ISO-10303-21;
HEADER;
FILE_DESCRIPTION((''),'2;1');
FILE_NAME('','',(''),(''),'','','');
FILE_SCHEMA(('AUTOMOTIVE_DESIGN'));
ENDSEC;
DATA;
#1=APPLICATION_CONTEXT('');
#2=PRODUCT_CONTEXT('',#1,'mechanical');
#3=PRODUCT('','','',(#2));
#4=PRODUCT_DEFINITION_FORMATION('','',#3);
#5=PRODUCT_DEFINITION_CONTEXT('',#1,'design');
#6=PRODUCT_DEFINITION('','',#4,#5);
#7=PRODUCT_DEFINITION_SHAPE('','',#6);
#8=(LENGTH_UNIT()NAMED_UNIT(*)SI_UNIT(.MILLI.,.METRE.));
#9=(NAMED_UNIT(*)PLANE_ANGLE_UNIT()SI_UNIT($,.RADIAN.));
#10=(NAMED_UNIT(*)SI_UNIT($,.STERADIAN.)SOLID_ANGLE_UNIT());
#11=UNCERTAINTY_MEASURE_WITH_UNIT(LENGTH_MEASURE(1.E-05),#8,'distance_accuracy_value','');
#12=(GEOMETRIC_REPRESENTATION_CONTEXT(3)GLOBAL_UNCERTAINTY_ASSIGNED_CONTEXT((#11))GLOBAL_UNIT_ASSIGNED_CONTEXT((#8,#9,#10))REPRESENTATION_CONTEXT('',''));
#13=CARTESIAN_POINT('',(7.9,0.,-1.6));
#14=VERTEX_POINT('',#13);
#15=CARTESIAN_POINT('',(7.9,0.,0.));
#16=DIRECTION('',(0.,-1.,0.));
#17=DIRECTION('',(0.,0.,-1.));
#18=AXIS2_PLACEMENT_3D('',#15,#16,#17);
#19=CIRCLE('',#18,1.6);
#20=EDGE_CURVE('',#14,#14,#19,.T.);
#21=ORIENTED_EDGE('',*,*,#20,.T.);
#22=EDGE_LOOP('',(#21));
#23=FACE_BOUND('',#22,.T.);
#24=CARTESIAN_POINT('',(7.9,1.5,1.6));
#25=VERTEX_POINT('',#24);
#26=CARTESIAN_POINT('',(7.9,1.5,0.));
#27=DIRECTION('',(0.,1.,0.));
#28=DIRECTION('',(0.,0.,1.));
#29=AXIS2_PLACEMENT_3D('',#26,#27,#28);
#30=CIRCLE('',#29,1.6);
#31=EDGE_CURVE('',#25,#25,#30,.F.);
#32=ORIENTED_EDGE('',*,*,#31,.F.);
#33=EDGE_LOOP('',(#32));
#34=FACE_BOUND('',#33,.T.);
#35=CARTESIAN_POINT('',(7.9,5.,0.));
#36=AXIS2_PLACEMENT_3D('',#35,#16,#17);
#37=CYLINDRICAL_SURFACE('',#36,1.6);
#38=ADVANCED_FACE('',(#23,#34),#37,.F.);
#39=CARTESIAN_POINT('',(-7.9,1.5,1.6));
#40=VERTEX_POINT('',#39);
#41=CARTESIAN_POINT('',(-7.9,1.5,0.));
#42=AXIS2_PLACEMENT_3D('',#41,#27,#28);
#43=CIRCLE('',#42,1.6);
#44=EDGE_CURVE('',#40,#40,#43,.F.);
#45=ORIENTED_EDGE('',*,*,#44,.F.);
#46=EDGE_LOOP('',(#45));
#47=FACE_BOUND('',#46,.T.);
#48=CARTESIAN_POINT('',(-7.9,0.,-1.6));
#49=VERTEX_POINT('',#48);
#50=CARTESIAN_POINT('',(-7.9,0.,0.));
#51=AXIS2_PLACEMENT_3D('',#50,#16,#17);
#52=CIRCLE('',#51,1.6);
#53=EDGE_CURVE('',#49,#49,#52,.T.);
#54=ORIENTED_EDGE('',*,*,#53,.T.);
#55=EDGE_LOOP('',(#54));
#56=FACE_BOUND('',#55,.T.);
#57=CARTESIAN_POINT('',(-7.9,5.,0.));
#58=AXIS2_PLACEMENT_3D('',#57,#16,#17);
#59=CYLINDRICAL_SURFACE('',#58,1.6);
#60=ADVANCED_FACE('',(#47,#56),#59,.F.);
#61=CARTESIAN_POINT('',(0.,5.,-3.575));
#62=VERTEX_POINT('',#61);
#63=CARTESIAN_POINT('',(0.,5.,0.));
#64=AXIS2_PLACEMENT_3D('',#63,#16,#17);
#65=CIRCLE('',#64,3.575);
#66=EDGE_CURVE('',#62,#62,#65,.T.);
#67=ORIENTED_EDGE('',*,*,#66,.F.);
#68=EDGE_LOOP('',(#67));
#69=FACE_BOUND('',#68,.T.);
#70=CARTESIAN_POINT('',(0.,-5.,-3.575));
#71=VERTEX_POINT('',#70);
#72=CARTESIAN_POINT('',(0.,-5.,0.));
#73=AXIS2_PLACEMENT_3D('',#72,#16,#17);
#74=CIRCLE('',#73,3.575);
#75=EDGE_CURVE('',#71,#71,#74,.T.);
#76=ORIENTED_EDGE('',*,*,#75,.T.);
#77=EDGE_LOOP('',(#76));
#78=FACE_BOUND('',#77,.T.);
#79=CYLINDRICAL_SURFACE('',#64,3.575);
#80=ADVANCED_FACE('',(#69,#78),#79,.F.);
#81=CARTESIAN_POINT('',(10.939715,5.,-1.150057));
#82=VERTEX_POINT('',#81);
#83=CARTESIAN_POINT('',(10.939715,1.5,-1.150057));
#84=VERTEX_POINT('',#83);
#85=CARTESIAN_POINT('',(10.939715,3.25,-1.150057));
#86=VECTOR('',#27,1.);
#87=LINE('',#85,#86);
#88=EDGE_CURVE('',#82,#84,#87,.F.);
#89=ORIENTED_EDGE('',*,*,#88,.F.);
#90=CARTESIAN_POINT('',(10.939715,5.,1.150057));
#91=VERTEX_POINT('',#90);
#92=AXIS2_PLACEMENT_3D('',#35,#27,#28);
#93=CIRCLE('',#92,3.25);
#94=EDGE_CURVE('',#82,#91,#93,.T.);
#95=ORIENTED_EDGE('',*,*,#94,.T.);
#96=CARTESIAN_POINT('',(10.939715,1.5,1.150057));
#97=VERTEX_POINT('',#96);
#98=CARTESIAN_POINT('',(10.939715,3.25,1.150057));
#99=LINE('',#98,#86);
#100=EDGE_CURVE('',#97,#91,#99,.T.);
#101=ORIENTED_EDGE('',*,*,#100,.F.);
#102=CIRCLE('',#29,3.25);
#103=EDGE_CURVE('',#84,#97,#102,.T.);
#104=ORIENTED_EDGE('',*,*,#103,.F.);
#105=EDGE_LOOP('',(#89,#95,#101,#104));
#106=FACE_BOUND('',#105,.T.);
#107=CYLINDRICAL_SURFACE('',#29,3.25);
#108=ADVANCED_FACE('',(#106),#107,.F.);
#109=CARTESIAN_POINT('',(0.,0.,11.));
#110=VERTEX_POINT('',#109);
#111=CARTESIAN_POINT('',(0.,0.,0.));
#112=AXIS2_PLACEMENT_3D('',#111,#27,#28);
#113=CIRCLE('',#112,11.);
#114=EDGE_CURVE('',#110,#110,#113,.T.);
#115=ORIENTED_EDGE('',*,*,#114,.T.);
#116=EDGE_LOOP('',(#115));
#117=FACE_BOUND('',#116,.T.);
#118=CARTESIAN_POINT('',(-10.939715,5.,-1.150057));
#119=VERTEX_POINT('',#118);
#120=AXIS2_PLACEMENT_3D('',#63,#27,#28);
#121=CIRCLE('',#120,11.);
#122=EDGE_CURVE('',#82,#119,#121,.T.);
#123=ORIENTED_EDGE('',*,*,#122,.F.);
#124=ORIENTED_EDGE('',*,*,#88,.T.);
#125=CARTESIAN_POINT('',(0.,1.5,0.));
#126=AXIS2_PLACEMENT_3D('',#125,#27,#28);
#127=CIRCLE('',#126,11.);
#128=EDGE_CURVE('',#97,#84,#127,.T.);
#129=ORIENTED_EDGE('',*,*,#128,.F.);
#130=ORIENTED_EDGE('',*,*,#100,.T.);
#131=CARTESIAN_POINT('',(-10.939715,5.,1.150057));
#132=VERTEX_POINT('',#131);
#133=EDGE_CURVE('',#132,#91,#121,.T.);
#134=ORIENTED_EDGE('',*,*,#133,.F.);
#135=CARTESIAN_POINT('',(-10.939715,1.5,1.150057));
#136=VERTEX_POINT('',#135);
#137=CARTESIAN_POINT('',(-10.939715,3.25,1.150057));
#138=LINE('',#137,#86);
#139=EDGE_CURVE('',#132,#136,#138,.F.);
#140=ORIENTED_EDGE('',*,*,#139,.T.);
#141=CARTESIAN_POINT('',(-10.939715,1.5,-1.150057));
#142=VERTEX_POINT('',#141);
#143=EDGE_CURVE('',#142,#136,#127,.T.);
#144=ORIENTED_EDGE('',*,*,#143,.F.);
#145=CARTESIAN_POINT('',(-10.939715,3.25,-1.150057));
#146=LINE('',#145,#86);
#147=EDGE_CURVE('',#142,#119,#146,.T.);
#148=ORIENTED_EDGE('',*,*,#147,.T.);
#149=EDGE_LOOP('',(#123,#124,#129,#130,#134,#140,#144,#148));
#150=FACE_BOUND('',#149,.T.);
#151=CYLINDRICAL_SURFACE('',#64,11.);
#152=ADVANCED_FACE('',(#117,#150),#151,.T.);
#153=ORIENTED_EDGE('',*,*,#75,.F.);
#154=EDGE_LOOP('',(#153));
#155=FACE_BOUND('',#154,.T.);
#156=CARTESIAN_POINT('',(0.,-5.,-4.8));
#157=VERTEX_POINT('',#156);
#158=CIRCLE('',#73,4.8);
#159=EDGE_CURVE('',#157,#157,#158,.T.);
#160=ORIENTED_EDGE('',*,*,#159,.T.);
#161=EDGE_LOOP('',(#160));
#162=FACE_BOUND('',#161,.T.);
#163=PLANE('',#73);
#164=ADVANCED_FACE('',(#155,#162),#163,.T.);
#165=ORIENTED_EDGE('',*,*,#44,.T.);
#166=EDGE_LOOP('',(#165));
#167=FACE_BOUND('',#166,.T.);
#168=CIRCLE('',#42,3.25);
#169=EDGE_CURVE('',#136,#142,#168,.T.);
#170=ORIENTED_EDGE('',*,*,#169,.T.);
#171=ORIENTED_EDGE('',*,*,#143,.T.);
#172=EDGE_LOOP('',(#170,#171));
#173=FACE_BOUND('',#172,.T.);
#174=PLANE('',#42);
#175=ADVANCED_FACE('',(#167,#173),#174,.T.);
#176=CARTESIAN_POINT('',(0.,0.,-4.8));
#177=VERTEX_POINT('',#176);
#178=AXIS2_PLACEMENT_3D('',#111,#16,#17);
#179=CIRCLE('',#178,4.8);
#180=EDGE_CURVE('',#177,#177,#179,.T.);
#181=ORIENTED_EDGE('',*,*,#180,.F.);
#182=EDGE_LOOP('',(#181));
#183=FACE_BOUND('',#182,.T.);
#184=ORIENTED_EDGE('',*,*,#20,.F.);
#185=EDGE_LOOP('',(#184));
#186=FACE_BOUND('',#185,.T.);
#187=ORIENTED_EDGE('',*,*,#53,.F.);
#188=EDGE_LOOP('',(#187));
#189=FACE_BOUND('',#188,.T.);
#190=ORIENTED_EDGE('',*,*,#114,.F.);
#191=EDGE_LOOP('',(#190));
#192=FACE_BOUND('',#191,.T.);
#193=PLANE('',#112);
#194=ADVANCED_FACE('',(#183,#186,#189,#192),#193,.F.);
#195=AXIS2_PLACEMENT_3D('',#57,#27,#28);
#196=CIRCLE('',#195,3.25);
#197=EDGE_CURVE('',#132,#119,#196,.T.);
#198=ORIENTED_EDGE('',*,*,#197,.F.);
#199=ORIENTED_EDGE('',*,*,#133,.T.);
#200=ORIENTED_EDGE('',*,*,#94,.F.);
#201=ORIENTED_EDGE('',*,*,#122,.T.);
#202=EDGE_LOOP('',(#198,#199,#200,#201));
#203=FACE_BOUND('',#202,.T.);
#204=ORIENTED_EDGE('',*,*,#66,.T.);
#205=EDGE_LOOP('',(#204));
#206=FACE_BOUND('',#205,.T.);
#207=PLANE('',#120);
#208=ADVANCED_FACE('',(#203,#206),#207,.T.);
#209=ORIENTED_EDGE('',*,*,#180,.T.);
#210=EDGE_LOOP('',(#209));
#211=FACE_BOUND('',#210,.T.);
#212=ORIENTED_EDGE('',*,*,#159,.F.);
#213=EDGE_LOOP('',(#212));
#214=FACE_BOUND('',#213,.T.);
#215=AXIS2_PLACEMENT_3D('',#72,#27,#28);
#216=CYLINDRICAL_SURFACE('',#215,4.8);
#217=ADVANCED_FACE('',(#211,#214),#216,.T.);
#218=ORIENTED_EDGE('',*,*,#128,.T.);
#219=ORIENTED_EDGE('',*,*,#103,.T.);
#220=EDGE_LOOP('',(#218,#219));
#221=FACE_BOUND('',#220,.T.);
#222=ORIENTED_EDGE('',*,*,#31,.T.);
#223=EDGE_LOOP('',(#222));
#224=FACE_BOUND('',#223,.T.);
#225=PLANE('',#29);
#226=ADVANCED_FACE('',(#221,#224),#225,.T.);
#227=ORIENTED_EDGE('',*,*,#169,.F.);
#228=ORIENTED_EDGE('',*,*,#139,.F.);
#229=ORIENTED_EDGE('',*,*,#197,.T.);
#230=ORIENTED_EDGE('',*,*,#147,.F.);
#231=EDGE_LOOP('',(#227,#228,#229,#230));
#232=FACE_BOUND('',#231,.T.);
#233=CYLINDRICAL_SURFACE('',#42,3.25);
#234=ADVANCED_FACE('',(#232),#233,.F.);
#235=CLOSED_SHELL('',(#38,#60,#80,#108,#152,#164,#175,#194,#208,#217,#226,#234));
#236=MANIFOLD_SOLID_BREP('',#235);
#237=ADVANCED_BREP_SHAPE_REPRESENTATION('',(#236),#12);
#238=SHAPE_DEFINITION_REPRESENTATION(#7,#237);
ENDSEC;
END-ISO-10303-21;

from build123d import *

# Parameters (mm, degrees)
CROQUIS1_R              = 11
SALIENTE_EXTRUIR1_DEPTH = 5
CROQUIS2_R              = 4.8
SALIENTE_EXTRUIR2_DEPTH = 5
CROQUIS3_R              = 1.6
CORTAR_EXTRUIR1_DEPTH   = 6
CROQUIS4_R              = 3.575
CORTAR_EXTRUIR2_DEPTH   = 11
CROQUIS5_R              = 3.25
CORTAR_EXTRUIR3_DEPTH   = 3.5


with BuildPart() as part:
    # Croquis1 → Saliente-Extruir1 (new body)
    with BuildSketch(Plane(origin=(0, 0, 0), x_dir=(1, 0, 0), z_dir=(0, 1, 0))):
        Circle(CROQUIS1_R)
    extrude(amount=SALIENTE_EXTRUIR1_DEPTH)

    # Croquis2 → Saliente-Extruir2 (add)
    with BuildSketch(Plane.XZ):
        Circle(CROQUIS2_R)
    extrude(amount=SALIENTE_EXTRUIR2_DEPTH)

    # Croquis3 → Cortar-Extruir1 (cut, through all)
    with BuildSketch(Plane.XZ):
        with Locations((-7.9, 0)):
            Circle(CROQUIS3_R)
        with Locations((7.9, 0)):
            Circle(CROQUIS3_R)
    extrude(amount=-CORTAR_EXTRUIR1_DEPTH, mode=Mode.SUBTRACT)

    # Croquis4 → Cortar-Extruir2 (cut, through all)
    with BuildSketch(Plane.XZ.offset(5)):
        Circle(CROQUIS4_R)
    extrude(amount=-CORTAR_EXTRUIR2_DEPTH, mode=Mode.SUBTRACT)

    # Croquis5 → Cortar-Extruir3 (cut)
    with BuildSketch(Plane(origin=(0, 5, 0), x_dir=(1, 0, 0), z_dir=(0, 1, 0))):
        with Locations((-7.9, 0)):
            Circle(CROQUIS5_R)
        with Locations((7.9, 0)):
            Circle(CROQUIS5_R)
    extrude(amount=-CORTAR_EXTRUIR3_DEPTH, mode=Mode.SUBTRACT)


solid = part.part
